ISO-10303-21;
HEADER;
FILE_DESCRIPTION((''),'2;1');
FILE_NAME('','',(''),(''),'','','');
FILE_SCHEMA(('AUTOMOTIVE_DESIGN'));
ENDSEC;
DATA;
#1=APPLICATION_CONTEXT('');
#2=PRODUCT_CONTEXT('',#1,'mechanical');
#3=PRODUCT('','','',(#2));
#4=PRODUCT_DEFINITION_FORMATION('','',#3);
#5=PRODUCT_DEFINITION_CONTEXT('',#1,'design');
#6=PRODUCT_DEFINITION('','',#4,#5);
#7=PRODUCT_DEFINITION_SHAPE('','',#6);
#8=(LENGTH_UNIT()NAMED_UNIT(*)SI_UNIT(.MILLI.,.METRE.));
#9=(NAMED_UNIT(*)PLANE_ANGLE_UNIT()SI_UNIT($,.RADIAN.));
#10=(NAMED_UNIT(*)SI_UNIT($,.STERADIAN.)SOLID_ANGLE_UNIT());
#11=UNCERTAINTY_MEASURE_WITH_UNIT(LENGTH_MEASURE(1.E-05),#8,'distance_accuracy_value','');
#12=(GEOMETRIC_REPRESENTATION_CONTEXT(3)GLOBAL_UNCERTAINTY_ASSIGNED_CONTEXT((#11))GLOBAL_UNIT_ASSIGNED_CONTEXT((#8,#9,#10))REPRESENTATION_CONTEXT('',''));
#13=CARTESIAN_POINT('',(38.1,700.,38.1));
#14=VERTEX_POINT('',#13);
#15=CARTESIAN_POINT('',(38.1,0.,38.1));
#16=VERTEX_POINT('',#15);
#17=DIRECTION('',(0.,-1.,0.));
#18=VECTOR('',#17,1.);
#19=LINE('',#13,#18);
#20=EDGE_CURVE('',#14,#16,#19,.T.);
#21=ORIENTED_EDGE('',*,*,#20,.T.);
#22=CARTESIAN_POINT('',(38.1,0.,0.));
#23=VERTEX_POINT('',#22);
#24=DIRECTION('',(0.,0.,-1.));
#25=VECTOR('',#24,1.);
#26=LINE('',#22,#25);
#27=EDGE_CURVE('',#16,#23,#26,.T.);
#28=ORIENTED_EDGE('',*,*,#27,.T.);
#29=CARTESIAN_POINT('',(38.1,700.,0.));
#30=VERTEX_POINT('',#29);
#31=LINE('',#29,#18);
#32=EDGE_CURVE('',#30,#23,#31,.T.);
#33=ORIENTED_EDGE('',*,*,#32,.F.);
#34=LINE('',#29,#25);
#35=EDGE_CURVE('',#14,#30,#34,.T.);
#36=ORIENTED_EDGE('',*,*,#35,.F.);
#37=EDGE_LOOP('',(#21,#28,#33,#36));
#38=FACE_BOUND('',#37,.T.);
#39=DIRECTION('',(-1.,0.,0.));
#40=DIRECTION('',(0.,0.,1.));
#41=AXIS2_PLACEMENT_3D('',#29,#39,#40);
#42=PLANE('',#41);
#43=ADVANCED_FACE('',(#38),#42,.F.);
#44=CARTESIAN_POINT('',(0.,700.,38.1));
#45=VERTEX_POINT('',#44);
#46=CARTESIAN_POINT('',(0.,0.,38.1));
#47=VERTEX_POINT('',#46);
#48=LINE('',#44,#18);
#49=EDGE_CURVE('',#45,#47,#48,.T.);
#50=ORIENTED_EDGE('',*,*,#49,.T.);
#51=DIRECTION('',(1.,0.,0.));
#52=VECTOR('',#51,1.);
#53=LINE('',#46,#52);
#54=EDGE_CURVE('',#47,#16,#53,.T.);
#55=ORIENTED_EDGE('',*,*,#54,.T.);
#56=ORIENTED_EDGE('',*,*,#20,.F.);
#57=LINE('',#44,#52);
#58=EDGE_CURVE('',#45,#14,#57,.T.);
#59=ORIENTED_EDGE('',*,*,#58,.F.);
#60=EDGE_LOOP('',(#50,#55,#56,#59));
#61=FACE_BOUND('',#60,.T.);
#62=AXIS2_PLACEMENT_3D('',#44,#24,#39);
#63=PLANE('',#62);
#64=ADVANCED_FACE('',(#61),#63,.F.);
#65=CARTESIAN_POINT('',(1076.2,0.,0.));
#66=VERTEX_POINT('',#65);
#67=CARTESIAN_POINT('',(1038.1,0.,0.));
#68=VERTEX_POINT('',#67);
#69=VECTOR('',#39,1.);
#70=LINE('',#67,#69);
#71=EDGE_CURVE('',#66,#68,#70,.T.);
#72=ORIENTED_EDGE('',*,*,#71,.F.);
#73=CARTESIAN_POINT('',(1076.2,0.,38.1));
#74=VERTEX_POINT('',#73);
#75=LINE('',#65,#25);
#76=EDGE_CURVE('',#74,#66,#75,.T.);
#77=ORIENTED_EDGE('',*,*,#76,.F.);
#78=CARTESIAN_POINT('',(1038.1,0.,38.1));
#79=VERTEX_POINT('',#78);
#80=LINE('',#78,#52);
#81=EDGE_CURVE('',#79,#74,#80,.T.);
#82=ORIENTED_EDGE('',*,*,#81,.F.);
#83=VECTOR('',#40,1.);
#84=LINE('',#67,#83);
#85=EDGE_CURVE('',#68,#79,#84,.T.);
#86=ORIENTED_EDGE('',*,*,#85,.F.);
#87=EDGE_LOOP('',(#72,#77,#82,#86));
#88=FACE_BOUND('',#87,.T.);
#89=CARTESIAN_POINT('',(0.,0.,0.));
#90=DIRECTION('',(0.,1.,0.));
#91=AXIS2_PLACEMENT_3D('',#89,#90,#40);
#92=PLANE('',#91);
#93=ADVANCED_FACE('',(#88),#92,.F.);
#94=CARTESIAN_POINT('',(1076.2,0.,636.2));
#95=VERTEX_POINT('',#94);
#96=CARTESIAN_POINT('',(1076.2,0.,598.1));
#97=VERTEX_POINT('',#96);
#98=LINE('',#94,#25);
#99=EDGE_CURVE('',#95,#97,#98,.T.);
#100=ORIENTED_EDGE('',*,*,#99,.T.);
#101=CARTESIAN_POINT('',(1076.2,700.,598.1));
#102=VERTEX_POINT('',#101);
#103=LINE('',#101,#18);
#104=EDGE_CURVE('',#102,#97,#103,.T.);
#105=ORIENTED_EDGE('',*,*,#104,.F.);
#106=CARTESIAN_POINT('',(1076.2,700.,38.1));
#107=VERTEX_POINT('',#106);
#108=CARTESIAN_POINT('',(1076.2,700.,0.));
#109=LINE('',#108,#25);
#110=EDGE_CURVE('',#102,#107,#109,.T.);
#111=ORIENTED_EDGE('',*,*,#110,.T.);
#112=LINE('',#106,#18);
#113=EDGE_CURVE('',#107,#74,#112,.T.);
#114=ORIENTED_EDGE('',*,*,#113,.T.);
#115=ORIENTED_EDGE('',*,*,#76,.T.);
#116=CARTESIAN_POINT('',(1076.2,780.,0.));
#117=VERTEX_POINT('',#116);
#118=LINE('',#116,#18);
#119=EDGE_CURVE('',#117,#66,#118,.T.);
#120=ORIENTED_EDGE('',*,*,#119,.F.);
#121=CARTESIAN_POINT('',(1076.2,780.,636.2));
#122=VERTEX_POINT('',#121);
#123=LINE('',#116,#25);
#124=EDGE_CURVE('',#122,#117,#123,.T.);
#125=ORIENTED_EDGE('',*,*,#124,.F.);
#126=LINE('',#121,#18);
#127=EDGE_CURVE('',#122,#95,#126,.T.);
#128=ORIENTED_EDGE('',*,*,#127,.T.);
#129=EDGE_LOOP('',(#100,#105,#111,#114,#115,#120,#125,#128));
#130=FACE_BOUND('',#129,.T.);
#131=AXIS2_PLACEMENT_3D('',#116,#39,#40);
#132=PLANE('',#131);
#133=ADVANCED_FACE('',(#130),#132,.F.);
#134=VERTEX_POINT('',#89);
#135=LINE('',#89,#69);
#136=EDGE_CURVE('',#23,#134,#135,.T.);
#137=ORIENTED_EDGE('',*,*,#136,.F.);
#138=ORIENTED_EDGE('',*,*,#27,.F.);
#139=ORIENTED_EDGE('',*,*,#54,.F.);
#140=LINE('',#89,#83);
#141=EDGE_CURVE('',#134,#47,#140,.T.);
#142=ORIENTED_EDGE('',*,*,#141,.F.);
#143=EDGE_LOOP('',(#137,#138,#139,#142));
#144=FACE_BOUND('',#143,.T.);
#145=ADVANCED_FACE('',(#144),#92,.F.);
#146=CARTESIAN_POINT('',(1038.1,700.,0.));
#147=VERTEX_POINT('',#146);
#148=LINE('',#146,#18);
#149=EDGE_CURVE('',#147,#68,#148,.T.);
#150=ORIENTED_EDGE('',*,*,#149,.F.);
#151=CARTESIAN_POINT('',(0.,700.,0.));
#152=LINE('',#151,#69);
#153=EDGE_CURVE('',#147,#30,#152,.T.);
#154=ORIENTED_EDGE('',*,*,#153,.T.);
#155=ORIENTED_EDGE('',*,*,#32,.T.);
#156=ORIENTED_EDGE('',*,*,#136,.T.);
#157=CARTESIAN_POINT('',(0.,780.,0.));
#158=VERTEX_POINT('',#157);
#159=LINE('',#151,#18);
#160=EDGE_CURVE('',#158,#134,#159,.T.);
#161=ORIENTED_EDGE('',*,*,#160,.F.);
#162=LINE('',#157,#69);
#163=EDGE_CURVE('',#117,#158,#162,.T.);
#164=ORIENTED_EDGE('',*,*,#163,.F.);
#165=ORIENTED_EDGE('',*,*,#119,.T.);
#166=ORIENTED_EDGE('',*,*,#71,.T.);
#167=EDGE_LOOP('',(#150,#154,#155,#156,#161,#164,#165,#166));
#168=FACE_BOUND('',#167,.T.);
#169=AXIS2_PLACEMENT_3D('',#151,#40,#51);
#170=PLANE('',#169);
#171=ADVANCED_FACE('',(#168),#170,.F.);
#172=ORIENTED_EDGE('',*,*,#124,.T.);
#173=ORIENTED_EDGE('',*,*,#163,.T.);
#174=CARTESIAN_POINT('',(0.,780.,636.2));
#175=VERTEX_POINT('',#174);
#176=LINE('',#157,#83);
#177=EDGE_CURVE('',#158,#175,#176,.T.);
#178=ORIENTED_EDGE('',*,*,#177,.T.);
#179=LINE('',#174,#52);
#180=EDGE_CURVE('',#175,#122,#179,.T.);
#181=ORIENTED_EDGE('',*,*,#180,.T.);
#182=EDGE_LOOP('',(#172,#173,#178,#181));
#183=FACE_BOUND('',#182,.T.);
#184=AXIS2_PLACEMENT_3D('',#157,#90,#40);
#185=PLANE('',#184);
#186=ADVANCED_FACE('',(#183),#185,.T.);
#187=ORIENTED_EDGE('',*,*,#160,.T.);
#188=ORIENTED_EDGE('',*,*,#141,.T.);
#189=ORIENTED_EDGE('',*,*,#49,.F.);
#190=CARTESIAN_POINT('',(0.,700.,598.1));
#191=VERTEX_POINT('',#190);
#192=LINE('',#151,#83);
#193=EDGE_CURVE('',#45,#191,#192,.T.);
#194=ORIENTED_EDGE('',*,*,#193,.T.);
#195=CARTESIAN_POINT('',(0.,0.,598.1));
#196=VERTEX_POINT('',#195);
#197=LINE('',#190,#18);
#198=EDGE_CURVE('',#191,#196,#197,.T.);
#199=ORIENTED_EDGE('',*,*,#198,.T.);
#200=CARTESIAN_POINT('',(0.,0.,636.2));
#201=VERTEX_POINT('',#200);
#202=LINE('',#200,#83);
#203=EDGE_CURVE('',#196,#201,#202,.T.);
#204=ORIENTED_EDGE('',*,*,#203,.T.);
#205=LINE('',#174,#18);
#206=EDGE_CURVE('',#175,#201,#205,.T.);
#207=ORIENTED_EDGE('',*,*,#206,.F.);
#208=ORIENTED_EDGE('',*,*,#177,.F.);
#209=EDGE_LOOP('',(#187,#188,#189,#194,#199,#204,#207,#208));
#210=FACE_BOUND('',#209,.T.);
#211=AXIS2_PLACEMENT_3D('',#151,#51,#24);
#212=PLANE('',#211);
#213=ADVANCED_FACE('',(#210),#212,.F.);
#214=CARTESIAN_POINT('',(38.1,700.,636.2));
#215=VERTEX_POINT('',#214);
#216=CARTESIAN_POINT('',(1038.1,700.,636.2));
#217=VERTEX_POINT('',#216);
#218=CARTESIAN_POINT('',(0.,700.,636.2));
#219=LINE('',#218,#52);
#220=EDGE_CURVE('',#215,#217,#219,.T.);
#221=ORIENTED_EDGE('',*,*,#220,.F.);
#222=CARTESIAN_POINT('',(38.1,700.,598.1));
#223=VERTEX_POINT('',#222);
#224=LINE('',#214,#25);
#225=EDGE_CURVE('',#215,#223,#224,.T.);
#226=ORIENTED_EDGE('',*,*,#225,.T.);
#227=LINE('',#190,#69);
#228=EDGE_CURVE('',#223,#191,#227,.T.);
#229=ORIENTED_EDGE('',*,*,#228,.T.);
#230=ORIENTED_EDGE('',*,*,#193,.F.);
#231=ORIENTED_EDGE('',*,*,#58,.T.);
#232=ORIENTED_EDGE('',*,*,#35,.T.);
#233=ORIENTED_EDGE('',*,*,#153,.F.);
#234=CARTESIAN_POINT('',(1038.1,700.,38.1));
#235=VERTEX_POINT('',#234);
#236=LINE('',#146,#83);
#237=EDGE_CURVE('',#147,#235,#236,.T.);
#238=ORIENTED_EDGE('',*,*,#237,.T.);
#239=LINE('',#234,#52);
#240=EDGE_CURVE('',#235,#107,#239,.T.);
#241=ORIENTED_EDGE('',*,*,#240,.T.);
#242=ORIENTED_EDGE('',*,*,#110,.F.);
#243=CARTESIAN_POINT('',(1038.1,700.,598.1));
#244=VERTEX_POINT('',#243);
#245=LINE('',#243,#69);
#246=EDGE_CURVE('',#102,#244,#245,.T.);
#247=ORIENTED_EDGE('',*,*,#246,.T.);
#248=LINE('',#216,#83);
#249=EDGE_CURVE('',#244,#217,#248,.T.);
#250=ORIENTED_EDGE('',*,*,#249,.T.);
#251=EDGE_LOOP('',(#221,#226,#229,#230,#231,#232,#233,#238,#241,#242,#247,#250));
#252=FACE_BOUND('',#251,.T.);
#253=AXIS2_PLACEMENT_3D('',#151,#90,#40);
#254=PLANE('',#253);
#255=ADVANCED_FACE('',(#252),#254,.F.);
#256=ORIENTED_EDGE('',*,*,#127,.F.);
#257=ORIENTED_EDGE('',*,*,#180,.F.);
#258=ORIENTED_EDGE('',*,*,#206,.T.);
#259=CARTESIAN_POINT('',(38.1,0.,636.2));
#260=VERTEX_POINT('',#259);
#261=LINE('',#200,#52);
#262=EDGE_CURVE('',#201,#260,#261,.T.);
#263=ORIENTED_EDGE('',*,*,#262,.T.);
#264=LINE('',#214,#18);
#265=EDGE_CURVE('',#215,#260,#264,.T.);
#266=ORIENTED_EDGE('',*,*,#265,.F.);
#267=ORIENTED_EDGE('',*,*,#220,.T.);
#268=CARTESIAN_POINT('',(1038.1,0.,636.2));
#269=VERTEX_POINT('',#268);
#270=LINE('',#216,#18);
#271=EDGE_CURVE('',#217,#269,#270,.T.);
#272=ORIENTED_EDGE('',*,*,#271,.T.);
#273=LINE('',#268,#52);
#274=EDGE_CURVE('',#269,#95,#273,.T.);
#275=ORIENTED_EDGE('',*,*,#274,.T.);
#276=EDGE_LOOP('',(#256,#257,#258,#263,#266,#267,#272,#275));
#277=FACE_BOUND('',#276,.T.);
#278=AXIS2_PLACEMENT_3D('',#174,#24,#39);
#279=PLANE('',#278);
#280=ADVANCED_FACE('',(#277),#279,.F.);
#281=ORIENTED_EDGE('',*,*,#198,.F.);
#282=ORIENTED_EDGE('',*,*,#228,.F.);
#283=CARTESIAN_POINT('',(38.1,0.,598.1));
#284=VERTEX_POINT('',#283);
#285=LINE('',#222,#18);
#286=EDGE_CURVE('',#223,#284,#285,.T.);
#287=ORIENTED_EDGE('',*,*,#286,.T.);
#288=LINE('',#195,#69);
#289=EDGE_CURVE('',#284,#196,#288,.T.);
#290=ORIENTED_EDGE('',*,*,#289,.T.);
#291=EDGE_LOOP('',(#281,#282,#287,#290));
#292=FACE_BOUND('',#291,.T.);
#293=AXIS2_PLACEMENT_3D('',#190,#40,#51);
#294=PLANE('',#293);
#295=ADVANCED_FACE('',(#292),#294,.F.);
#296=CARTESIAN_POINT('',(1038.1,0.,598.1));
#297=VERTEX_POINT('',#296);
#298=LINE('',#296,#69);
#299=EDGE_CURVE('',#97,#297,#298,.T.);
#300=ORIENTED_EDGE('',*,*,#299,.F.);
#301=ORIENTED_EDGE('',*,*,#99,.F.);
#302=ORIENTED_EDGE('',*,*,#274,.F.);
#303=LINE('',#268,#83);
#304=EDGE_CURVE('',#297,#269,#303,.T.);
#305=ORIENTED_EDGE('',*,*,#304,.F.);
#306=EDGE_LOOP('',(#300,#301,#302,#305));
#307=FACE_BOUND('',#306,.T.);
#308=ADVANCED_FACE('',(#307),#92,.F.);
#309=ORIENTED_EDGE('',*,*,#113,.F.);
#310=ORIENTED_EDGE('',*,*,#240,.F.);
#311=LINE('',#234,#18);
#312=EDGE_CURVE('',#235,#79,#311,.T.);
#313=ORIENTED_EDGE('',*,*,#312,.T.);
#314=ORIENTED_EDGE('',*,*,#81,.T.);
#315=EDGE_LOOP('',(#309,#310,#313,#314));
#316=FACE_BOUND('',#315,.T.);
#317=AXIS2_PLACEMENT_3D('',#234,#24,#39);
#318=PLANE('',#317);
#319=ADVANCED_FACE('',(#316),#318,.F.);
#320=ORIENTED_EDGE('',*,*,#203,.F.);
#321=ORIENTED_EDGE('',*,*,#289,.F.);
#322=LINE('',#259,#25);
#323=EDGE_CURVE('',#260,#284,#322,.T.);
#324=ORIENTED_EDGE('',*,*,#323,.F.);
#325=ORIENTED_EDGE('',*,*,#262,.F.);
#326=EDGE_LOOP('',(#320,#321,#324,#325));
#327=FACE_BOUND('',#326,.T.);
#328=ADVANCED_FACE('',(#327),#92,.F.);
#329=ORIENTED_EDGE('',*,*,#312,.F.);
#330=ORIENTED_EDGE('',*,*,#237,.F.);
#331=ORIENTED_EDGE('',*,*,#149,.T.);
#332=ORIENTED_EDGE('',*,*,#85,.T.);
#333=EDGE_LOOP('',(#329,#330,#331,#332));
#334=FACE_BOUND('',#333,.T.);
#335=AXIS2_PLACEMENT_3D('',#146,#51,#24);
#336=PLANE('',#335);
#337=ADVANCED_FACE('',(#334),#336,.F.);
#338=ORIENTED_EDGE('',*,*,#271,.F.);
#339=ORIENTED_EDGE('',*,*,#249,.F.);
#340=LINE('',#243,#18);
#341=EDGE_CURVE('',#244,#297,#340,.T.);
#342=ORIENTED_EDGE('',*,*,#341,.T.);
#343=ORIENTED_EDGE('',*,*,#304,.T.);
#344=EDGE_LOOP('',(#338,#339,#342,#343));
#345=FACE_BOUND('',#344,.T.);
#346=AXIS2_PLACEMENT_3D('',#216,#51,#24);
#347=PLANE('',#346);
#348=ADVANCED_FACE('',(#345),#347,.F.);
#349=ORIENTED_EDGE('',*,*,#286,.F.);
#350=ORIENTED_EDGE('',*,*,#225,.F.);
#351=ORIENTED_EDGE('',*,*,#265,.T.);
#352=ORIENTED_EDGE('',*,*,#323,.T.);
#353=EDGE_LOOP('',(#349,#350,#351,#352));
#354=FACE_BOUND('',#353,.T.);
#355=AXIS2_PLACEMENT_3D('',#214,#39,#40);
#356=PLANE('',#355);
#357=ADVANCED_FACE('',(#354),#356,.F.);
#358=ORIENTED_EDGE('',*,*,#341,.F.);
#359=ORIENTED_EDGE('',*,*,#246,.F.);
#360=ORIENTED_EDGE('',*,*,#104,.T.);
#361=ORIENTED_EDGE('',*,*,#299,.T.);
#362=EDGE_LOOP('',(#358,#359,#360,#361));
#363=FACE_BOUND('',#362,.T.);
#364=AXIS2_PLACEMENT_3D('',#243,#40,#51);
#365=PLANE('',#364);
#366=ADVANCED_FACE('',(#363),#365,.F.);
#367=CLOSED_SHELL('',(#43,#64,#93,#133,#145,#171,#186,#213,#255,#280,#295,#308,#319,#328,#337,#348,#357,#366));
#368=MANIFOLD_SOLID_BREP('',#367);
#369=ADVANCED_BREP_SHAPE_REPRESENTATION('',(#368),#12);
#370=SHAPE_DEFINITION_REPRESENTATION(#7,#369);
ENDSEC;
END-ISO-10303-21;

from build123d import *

# Parameters (mm, degrees)
CROQUIS1_W                = 38.1
CROQUIS1_H                = 38.1
SALIENTE_EXTRUIR1_DEPTH   = 700
SALIENTE_EXTRUIR1_2_DEPTH = 700
SALIENTE_EXTRUIR1_3_DEPTH = 700
SALIENTE_EXTRUIR1_4_DEPTH = 700
CROQUIS2_W                = 1076.2
CROQUIS2_H                = 636.2
SALIENTE_EXTRUIR2_DEPTH   = 80


with BuildPart() as part:
    # Croquis1 → Saliente-Extruir1 (new body)
    with BuildSketch(Plane(origin=(0, 0, 0), x_dir=(1, 0, 0), z_dir=(0, 1, 0))):
        with Locations((19.05, -19.05)):
            Rectangle(CROQUIS1_W, CROQUIS1_H)
    extrude(amount=SALIENTE_EXTRUIR1_DEPTH)



with BuildPart() as body_2:
    # Croquis1 → Saliente-Extruir1 2 (new body)
    with BuildSketch(Plane(origin=(0, 0, 0), x_dir=(1, 0, 0), z_dir=(0, 1, 0))):
        with Locations((1057.15, -19.05)):
            Rectangle(CROQUIS1_W, CROQUIS1_H)
    extrude(amount=SALIENTE_EXTRUIR1_2_DEPTH)


with BuildPart() as body_3:
    # Croquis1 → Saliente-Extruir1 3 (new body)
    with BuildSketch(Plane(origin=(0, 0, 0), x_dir=(1, 0, 0), z_dir=(0, 1, 0))):
        with Locations((1057.15, -617.15)):
            Rectangle(CROQUIS1_W, CROQUIS1_H)
    extrude(amount=SALIENTE_EXTRUIR1_3_DEPTH)


with BuildPart() as body_4:
    # Croquis1 → Saliente-Extruir1 4 (new body)
    with BuildSketch(Plane(origin=(0, 0, 0), x_dir=(1, 0, 0), z_dir=(0, 1, 0))):
        with Locations((19.05, -617.15)):
            Rectangle(CROQUIS1_W, CROQUIS1_H)
    extrude(amount=SALIENTE_EXTRUIR1_4_DEPTH)


with BuildPart() as part_1:
    add(part.part)

    add(body_2.part)  # Saliente-Extruir2 merges body 2

    add(body_3.part)  # Saliente-Extruir2 merges body 3

    add(body_4.part)  # Saliente-Extruir2 merges body 4
    # Croquis2 → Saliente-Extruir2 (add)
    with BuildSketch(Plane(origin=(0, 700, 0), x_dir=(1, 0, 0), z_dir=(0, 1, 0))):
        with Locations((538.1, -318.1)):
            Rectangle(CROQUIS2_W, CROQUIS2_H)
    extrude(amount=SALIENTE_EXTRUIR2_DEPTH)


solid = part_1.part
